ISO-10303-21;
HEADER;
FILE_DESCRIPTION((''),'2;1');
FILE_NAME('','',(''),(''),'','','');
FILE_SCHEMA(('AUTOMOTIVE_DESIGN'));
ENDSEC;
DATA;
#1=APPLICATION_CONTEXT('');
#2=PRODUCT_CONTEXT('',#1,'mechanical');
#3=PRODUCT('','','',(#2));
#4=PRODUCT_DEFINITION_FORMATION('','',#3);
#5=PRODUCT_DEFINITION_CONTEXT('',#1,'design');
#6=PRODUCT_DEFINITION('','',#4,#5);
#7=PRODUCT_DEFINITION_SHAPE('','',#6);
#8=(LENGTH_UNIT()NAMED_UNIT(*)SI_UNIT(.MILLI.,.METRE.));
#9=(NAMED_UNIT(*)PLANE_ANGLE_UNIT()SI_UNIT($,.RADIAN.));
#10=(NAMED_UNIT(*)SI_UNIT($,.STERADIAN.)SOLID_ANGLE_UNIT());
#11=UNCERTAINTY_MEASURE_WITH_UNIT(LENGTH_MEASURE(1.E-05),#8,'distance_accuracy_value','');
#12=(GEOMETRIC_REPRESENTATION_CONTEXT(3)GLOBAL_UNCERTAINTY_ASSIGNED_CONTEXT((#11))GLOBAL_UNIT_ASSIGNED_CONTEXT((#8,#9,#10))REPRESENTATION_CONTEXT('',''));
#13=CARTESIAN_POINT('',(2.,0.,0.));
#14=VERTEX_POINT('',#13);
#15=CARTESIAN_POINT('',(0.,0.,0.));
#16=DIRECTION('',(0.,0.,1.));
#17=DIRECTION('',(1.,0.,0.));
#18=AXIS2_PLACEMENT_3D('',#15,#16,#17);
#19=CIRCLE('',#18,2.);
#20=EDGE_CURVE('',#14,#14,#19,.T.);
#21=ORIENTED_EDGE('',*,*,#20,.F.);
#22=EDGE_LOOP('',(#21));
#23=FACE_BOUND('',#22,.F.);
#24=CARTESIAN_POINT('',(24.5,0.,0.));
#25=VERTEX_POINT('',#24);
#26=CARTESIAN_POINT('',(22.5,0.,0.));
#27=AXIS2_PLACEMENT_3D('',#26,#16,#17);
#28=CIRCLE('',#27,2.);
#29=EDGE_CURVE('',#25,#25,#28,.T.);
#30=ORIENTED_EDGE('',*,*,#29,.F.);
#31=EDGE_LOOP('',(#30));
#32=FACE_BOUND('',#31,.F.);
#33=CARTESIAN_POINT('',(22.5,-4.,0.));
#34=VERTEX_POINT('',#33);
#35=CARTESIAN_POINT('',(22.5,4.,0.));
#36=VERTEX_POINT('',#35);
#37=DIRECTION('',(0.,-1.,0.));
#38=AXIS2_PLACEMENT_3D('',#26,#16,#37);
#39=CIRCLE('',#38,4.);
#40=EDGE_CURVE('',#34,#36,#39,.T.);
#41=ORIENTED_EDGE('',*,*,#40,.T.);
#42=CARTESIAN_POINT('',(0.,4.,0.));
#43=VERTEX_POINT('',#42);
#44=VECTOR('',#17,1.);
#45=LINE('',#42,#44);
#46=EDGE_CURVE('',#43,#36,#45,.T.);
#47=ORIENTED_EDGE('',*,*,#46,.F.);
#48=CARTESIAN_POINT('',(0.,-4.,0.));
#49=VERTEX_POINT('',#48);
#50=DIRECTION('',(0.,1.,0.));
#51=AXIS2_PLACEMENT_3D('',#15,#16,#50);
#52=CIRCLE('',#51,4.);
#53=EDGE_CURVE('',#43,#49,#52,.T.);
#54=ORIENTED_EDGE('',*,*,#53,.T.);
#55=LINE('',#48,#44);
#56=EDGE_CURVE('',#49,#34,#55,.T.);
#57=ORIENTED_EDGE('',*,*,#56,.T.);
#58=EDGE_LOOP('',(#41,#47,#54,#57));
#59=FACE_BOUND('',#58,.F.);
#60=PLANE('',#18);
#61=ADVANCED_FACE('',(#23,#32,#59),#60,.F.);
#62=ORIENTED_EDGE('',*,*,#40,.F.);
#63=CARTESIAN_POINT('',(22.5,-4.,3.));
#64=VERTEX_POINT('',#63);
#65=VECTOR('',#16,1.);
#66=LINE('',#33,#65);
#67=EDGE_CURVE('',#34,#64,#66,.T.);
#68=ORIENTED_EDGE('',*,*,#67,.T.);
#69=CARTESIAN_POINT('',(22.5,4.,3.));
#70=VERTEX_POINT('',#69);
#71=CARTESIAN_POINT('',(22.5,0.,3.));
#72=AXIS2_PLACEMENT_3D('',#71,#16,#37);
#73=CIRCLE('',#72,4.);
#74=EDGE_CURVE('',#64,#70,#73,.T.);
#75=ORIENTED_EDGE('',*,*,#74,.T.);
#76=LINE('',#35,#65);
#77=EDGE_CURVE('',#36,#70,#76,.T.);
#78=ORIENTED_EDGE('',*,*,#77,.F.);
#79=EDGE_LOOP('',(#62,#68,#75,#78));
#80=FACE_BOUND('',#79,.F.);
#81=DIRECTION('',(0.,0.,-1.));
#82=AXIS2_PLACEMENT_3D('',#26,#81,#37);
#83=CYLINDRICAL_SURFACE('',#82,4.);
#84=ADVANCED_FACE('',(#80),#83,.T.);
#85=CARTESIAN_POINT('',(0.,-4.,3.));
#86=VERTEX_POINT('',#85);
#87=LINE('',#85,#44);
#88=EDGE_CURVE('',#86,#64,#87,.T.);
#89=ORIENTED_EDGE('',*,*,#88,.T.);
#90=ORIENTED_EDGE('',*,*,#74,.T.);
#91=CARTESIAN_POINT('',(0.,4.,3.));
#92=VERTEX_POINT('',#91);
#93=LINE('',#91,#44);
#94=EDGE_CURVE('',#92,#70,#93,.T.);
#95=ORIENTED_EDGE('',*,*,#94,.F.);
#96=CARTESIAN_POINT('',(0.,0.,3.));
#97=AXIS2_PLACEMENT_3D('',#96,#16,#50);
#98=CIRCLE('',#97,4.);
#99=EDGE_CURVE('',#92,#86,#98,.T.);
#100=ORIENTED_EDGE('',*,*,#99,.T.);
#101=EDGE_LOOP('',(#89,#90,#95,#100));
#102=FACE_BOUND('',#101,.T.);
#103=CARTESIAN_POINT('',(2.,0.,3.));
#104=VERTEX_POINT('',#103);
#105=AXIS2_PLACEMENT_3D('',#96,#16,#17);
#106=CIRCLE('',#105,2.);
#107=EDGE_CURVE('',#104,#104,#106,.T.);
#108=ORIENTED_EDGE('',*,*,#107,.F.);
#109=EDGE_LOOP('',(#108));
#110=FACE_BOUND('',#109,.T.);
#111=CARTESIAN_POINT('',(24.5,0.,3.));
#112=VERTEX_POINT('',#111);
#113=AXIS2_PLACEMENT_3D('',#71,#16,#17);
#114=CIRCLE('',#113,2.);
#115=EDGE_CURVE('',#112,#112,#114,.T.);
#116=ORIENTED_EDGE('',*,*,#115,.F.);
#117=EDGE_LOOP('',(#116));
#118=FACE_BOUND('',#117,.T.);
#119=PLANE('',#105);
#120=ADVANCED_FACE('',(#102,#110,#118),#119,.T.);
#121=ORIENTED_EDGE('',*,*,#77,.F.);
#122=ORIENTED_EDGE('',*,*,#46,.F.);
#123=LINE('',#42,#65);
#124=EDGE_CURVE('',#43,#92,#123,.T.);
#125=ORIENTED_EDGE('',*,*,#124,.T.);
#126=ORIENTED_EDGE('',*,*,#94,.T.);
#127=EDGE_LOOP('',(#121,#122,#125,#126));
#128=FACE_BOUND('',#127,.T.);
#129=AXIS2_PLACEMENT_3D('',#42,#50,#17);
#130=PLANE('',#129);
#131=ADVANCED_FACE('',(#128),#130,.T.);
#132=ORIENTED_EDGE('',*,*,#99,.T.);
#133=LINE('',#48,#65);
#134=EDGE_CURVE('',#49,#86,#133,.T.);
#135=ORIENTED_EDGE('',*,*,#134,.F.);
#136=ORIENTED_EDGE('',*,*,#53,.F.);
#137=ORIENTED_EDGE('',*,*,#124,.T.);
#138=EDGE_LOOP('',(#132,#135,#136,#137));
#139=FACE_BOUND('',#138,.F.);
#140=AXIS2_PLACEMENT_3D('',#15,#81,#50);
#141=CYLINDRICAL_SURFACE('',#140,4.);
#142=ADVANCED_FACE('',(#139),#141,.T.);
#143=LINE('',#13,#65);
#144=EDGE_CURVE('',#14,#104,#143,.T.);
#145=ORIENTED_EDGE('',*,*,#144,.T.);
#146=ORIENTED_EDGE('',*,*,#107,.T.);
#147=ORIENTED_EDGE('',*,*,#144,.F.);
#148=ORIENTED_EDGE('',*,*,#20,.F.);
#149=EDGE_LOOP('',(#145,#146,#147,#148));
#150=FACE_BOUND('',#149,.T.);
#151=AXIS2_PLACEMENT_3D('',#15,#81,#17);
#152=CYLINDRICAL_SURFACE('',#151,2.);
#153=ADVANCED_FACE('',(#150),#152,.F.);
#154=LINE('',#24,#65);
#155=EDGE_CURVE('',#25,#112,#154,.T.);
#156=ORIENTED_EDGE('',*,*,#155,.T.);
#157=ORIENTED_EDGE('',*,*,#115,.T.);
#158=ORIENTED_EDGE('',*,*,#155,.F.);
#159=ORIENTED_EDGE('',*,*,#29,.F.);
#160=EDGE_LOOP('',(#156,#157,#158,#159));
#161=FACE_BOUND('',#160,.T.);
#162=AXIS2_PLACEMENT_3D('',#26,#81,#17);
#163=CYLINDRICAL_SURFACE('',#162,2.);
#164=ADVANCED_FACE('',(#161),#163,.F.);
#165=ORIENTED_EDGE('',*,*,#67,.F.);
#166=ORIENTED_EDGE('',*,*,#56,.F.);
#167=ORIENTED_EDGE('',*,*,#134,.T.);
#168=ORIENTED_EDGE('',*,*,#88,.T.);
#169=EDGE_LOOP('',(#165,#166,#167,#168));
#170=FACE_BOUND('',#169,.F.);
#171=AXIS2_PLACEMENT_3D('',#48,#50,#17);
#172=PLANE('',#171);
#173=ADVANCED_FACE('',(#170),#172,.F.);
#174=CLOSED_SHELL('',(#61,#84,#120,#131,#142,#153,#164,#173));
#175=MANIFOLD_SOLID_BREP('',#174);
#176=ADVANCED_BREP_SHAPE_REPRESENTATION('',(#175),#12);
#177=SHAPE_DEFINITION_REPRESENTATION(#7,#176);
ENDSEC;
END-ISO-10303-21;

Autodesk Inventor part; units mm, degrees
ref_plane "YZ Plane" through (0, 0, 0) normal (1, 0, 0) x (0, 1, 0)
ref_plane "XZ Plane" through (0, 0, 0) normal (0, 1, 0) x (-1, 0, 0)
ref_plane "XY Plane" through (0, 0, 0) normal (0, 0, 1) x (1, 0, 0)
sketch "Эскиз1" plane through (0, 0, 0) normal (0, 0, 1) x (1, 0, 0)
  circle A0 centre (0, 0) radius 2
  arc A1 (0, 4) -> (0, -4) centre (0, 0) ccw
  line L0 (0, 4) -> (22.5, 4)
  line L1 (0, -4) -> (22.5, -4)
  arc A2 (22.5, -4) -> (22.5, 4) centre (22.5, 0) ccw
  circle A3 centre (22.5, 0) radius 2
  point P0 (26.5, 0)
  point P1 (-4, 0)
  dimension "d0" = 8
  dimension "d1" = 4
  dimension "d2" = 22.5
extrude "Выдавливание1" add sketch "Эскиз1" along normal blind 3
properties part number "side"
